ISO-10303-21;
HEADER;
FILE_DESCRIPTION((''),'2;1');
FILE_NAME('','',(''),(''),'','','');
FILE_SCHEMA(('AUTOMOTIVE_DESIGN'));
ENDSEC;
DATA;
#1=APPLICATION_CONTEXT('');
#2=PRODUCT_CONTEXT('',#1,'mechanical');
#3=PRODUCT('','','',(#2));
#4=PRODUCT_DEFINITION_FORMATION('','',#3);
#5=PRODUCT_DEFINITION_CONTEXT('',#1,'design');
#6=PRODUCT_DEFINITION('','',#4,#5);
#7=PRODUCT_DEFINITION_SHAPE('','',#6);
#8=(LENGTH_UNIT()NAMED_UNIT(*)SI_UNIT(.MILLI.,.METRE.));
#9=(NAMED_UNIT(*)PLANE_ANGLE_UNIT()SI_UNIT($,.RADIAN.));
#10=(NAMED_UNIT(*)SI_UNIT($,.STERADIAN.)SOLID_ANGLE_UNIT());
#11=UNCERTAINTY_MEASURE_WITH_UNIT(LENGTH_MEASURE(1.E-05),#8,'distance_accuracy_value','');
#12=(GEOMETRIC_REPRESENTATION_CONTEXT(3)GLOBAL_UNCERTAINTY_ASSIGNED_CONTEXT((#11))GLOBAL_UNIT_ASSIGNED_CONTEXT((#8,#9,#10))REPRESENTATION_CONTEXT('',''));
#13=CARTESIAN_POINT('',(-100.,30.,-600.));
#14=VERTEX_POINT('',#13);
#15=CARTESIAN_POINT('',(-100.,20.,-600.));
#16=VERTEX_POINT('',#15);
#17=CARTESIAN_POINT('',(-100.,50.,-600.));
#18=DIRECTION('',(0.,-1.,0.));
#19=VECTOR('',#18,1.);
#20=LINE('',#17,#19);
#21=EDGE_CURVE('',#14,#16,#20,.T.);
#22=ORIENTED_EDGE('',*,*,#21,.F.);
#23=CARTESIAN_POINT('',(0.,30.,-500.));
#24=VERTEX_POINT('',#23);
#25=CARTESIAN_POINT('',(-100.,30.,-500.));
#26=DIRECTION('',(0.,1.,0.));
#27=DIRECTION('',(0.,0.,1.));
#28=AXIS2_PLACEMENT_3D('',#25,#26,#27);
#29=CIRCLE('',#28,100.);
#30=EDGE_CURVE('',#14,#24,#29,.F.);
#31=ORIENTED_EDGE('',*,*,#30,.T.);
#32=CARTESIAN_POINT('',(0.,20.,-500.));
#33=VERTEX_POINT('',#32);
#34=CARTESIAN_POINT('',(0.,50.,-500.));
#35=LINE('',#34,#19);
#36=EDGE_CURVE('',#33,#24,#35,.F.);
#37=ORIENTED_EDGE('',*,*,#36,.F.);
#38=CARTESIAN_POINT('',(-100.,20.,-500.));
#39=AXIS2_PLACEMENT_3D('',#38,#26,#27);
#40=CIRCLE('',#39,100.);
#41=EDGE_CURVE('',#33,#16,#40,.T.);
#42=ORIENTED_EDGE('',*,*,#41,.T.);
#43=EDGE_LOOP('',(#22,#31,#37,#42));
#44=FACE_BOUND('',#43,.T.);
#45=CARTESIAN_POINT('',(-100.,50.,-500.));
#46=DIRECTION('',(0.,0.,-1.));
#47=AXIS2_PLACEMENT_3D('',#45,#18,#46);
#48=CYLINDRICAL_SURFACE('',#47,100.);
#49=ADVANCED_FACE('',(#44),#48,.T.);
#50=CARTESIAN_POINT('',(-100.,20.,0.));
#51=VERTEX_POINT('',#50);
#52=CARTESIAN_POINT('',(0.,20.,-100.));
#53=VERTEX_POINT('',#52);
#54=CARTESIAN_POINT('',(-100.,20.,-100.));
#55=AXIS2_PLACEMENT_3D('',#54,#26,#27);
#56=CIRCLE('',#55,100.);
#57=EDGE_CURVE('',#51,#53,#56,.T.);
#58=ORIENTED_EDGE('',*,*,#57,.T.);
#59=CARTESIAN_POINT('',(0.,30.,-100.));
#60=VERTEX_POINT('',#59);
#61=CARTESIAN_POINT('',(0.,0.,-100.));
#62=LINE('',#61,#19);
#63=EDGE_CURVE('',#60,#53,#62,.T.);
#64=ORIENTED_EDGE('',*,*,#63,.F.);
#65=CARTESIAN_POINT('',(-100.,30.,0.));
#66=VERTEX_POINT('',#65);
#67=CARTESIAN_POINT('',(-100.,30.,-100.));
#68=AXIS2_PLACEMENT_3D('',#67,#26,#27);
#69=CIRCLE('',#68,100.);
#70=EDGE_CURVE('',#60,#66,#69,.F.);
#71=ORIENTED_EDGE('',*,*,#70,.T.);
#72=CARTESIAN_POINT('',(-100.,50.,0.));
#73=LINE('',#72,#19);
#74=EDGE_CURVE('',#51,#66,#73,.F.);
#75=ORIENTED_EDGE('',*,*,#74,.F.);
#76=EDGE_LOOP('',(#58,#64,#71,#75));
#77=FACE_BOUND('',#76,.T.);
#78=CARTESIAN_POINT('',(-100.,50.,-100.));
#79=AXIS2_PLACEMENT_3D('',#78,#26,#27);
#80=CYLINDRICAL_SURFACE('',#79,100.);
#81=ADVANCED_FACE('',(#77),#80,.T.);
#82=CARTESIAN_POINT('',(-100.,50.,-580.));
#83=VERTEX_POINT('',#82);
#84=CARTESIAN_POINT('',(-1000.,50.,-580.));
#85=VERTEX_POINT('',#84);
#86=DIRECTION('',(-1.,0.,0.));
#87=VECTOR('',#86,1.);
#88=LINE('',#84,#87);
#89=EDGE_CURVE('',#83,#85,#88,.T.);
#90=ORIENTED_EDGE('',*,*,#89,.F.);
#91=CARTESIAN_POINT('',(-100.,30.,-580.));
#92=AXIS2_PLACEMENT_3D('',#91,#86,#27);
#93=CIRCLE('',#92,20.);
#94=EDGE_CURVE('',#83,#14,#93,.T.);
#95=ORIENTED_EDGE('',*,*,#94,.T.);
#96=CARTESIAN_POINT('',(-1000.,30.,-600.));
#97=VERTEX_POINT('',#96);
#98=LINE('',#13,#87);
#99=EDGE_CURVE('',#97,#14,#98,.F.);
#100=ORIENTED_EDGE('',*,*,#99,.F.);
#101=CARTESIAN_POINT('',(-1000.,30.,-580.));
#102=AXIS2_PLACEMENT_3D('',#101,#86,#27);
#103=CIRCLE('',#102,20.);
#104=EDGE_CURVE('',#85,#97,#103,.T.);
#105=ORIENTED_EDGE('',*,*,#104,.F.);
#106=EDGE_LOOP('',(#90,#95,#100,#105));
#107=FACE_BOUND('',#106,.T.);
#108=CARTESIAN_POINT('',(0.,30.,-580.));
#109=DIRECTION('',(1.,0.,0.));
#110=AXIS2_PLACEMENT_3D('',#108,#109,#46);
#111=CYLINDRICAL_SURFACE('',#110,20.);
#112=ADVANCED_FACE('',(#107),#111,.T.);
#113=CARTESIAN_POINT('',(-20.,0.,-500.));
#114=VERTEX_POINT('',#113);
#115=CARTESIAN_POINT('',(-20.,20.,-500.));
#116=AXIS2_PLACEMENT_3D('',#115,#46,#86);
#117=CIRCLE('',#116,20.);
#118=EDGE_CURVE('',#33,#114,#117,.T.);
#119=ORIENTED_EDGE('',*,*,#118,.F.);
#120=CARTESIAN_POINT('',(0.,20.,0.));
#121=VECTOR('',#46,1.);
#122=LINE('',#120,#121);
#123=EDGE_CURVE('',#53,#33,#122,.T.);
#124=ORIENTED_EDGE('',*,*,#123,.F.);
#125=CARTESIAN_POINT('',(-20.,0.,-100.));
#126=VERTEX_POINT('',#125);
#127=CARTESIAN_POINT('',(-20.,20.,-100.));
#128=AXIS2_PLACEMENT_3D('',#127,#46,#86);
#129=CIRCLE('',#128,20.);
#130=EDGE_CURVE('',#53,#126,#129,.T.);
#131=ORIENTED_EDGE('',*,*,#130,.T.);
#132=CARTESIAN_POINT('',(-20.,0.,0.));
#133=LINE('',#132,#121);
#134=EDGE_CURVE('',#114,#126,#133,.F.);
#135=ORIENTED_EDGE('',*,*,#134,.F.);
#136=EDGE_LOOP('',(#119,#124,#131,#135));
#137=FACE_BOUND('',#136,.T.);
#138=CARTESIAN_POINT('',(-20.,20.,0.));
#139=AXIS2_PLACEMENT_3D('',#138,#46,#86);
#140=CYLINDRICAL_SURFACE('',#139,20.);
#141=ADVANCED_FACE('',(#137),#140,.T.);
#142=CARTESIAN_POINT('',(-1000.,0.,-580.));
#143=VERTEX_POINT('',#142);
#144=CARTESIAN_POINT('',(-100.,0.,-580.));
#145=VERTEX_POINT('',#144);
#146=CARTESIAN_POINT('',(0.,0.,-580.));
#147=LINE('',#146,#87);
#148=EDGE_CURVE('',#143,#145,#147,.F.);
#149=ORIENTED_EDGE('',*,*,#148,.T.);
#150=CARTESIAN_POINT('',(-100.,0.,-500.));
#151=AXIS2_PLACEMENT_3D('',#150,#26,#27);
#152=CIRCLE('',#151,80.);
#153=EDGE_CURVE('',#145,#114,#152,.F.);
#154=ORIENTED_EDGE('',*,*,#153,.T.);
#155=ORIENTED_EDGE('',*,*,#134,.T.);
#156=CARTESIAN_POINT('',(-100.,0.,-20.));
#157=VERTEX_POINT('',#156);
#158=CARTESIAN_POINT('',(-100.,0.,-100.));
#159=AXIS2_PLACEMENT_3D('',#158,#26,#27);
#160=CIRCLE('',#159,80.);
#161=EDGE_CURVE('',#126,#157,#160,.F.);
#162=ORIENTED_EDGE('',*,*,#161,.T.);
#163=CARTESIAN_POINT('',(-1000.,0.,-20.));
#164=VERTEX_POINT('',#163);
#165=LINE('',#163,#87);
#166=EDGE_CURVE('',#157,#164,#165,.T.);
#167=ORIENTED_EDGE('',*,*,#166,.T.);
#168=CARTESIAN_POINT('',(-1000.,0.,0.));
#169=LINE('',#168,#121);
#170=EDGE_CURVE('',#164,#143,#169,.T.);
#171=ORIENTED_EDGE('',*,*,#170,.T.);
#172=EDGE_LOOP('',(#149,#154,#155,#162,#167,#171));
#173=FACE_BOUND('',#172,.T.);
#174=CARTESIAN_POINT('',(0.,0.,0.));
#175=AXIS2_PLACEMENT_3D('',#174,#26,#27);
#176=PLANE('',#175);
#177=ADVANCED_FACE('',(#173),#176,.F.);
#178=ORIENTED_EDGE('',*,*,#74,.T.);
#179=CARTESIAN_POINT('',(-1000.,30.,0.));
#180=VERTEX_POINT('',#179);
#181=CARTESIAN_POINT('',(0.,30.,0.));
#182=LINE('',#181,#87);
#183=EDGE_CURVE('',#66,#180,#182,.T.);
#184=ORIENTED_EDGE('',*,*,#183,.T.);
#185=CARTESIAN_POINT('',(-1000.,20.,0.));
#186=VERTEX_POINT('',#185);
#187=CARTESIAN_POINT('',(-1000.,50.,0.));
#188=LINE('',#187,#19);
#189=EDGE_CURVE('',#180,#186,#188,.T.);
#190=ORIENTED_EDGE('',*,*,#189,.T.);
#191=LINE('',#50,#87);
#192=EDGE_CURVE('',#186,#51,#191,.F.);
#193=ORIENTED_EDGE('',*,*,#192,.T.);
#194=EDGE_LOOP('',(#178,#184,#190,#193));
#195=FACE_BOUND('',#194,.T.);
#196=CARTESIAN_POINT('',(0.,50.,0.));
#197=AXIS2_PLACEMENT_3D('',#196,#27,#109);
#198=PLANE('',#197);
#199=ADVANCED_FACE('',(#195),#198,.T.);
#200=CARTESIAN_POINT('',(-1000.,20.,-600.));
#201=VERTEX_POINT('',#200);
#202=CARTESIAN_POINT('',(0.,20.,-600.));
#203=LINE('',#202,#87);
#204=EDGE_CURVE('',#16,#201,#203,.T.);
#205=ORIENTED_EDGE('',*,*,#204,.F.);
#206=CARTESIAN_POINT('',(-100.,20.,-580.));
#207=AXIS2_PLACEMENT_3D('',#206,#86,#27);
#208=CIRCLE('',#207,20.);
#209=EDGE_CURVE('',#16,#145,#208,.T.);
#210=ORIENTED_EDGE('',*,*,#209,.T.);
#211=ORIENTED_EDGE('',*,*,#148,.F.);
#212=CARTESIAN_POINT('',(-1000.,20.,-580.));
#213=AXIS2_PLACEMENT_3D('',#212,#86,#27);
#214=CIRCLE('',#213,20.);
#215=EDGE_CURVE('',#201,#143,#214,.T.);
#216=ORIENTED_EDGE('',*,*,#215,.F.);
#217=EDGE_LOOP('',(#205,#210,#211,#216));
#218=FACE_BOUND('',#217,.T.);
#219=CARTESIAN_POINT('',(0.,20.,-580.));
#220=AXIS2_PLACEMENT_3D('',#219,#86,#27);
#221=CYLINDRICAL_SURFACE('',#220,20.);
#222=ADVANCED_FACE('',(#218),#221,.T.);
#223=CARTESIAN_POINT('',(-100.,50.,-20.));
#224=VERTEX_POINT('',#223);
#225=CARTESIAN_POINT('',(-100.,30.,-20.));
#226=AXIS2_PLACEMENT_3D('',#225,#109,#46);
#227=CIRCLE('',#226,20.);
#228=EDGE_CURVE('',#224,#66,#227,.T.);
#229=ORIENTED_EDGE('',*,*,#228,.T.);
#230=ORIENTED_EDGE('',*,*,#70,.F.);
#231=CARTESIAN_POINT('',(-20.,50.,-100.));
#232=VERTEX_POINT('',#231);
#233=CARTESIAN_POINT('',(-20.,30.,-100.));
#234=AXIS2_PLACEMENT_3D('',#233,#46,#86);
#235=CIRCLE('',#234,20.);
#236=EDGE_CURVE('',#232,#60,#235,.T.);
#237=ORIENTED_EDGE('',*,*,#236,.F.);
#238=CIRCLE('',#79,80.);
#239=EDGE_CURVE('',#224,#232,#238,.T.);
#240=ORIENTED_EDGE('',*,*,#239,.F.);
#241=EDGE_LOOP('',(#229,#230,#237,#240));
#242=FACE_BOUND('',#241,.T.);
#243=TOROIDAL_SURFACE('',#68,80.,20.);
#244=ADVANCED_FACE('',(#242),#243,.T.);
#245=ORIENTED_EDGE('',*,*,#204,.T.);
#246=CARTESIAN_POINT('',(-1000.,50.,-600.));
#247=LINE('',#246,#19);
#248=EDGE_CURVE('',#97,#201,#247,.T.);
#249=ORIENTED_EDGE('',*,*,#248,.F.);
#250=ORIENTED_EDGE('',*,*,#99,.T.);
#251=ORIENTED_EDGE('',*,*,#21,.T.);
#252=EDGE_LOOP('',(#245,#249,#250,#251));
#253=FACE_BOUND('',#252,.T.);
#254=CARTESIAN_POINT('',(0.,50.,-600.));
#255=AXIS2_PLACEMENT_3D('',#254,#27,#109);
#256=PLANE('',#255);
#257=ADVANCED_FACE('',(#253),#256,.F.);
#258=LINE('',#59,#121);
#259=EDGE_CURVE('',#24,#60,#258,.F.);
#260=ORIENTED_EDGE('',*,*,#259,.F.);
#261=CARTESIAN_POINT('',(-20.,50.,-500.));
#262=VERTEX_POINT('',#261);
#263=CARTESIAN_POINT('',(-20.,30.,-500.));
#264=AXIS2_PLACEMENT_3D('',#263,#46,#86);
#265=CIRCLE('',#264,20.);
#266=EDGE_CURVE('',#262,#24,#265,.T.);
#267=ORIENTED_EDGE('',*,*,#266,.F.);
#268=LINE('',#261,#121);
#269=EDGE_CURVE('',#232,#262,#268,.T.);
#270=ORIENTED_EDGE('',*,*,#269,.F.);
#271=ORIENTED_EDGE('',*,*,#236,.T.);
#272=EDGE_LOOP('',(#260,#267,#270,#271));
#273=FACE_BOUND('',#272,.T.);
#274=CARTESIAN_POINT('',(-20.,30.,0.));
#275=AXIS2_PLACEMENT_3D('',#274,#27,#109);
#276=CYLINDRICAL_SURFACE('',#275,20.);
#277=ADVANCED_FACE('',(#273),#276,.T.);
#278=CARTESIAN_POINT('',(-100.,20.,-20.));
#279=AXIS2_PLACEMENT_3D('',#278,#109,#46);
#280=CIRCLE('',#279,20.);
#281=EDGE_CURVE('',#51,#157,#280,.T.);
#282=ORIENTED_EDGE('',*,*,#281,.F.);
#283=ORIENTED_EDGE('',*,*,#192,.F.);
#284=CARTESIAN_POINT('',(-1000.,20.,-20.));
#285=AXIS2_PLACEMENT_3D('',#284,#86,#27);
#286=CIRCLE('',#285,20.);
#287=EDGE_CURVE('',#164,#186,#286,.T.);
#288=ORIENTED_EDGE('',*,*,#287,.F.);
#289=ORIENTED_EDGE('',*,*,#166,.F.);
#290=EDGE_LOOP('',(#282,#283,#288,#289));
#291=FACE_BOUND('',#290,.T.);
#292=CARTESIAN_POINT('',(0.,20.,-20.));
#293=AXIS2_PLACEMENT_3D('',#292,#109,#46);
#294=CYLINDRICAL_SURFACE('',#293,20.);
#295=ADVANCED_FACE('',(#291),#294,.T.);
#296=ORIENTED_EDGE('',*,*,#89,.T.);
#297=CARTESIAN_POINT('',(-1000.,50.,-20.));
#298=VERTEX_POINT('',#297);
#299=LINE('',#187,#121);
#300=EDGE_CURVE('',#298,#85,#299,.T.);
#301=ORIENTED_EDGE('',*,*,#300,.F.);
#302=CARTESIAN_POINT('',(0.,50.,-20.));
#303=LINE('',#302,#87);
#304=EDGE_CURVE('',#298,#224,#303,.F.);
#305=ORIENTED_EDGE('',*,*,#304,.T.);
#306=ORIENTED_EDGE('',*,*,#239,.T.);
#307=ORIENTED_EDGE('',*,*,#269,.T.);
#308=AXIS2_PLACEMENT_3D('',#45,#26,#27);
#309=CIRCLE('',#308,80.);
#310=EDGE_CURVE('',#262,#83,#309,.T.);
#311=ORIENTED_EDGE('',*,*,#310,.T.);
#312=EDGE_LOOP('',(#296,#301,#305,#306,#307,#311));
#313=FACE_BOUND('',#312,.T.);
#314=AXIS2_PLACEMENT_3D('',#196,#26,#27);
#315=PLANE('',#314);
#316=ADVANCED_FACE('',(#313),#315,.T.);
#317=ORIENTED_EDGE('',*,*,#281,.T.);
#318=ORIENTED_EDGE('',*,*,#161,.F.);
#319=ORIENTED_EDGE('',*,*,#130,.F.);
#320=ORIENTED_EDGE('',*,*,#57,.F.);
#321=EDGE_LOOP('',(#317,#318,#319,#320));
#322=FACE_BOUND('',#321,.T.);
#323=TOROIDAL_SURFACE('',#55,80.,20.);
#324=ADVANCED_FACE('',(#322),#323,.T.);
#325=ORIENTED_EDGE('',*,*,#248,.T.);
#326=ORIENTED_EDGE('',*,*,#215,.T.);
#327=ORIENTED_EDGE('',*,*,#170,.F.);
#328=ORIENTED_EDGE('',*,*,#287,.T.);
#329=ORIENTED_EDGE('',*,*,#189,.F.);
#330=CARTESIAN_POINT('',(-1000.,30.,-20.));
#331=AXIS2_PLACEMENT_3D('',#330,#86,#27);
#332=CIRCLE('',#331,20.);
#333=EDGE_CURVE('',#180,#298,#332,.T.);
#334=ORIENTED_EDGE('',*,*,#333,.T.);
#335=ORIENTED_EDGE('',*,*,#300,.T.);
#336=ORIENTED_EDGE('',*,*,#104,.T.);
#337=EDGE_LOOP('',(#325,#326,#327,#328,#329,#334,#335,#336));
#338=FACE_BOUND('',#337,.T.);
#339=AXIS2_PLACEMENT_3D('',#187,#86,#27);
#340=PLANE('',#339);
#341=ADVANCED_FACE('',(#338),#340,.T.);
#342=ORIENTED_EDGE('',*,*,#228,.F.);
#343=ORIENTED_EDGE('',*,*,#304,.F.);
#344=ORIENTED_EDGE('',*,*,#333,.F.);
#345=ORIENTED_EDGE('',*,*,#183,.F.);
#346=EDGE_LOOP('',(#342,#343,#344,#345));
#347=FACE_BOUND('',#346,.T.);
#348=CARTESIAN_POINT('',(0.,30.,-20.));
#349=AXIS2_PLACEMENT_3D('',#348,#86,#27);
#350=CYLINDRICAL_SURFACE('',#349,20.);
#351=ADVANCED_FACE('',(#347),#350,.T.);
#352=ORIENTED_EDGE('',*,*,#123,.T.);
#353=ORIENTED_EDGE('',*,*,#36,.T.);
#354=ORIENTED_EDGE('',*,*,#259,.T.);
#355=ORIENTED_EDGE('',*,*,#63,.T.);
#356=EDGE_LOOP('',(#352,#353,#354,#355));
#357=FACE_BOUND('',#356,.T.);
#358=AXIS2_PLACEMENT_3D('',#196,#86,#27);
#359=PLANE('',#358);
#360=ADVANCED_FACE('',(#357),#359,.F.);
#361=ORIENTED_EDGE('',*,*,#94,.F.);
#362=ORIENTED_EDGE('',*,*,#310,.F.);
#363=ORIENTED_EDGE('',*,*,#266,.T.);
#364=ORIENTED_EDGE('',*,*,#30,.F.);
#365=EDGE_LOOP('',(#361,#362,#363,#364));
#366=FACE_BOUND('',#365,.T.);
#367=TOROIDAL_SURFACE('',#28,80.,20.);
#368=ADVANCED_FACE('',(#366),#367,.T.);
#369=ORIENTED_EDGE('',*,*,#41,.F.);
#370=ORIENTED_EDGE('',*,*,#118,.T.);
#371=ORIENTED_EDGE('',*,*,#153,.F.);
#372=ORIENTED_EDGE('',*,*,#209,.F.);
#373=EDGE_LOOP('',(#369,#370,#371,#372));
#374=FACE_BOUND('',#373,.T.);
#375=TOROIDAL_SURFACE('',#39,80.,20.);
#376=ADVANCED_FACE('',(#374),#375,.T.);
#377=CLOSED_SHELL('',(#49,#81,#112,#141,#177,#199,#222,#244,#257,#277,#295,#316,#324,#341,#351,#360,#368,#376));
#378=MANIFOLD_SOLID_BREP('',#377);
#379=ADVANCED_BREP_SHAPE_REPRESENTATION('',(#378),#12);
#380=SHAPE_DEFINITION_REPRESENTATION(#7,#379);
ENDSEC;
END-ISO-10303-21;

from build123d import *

# Parameters (mm, degrees)
SKETCH1_W           = 1000
SKETCH1_H           = 600
BOSS_EXTRUDE1_DEPTH = 50
FILLET1_R           = 100
FILLET2_R           = 20


with BuildPart() as part:
    # Sketch1 → Boss-Extrude1 (new body)
    with BuildSketch(Plane(origin=(0, 0, 0), x_dir=(1, 0, 0), z_dir=(0, 1, 0))):
        with Locations((-500, 300)):
            Rectangle(SKETCH1_W, SKETCH1_H)
    extrude(amount=BOSS_EXTRUDE1_DEPTH)

    # Fillet1
    fillet1_edges = [part.edges().sort_by_distance(p)[0] for p in [
        (0, 25, 0),
        (0, 25, -600),
    ]]
    fillet(fillet1_edges, radius=FILLET1_R)

    # Fillet2
    fillet2_edges = [part.edges().sort_by_distance(p)[0] for p in [
        (-550, 0, -600),
        (-550, 50, -600),
        (0, 0, -300),
        (-550, 0, 0),
        (-29.289321881, 0, -29.289321881),
        (-29.289321881, 0, -570.710678119),
        (0, 50, -300),
        (-550, 50, 0),
        (-29.289321881, 50, -29.289321881),
        (-29.289321881, 50, -570.710678119),
    ]]
    fillet(fillet2_edges, radius=FILLET2_R)


solid = part.part
